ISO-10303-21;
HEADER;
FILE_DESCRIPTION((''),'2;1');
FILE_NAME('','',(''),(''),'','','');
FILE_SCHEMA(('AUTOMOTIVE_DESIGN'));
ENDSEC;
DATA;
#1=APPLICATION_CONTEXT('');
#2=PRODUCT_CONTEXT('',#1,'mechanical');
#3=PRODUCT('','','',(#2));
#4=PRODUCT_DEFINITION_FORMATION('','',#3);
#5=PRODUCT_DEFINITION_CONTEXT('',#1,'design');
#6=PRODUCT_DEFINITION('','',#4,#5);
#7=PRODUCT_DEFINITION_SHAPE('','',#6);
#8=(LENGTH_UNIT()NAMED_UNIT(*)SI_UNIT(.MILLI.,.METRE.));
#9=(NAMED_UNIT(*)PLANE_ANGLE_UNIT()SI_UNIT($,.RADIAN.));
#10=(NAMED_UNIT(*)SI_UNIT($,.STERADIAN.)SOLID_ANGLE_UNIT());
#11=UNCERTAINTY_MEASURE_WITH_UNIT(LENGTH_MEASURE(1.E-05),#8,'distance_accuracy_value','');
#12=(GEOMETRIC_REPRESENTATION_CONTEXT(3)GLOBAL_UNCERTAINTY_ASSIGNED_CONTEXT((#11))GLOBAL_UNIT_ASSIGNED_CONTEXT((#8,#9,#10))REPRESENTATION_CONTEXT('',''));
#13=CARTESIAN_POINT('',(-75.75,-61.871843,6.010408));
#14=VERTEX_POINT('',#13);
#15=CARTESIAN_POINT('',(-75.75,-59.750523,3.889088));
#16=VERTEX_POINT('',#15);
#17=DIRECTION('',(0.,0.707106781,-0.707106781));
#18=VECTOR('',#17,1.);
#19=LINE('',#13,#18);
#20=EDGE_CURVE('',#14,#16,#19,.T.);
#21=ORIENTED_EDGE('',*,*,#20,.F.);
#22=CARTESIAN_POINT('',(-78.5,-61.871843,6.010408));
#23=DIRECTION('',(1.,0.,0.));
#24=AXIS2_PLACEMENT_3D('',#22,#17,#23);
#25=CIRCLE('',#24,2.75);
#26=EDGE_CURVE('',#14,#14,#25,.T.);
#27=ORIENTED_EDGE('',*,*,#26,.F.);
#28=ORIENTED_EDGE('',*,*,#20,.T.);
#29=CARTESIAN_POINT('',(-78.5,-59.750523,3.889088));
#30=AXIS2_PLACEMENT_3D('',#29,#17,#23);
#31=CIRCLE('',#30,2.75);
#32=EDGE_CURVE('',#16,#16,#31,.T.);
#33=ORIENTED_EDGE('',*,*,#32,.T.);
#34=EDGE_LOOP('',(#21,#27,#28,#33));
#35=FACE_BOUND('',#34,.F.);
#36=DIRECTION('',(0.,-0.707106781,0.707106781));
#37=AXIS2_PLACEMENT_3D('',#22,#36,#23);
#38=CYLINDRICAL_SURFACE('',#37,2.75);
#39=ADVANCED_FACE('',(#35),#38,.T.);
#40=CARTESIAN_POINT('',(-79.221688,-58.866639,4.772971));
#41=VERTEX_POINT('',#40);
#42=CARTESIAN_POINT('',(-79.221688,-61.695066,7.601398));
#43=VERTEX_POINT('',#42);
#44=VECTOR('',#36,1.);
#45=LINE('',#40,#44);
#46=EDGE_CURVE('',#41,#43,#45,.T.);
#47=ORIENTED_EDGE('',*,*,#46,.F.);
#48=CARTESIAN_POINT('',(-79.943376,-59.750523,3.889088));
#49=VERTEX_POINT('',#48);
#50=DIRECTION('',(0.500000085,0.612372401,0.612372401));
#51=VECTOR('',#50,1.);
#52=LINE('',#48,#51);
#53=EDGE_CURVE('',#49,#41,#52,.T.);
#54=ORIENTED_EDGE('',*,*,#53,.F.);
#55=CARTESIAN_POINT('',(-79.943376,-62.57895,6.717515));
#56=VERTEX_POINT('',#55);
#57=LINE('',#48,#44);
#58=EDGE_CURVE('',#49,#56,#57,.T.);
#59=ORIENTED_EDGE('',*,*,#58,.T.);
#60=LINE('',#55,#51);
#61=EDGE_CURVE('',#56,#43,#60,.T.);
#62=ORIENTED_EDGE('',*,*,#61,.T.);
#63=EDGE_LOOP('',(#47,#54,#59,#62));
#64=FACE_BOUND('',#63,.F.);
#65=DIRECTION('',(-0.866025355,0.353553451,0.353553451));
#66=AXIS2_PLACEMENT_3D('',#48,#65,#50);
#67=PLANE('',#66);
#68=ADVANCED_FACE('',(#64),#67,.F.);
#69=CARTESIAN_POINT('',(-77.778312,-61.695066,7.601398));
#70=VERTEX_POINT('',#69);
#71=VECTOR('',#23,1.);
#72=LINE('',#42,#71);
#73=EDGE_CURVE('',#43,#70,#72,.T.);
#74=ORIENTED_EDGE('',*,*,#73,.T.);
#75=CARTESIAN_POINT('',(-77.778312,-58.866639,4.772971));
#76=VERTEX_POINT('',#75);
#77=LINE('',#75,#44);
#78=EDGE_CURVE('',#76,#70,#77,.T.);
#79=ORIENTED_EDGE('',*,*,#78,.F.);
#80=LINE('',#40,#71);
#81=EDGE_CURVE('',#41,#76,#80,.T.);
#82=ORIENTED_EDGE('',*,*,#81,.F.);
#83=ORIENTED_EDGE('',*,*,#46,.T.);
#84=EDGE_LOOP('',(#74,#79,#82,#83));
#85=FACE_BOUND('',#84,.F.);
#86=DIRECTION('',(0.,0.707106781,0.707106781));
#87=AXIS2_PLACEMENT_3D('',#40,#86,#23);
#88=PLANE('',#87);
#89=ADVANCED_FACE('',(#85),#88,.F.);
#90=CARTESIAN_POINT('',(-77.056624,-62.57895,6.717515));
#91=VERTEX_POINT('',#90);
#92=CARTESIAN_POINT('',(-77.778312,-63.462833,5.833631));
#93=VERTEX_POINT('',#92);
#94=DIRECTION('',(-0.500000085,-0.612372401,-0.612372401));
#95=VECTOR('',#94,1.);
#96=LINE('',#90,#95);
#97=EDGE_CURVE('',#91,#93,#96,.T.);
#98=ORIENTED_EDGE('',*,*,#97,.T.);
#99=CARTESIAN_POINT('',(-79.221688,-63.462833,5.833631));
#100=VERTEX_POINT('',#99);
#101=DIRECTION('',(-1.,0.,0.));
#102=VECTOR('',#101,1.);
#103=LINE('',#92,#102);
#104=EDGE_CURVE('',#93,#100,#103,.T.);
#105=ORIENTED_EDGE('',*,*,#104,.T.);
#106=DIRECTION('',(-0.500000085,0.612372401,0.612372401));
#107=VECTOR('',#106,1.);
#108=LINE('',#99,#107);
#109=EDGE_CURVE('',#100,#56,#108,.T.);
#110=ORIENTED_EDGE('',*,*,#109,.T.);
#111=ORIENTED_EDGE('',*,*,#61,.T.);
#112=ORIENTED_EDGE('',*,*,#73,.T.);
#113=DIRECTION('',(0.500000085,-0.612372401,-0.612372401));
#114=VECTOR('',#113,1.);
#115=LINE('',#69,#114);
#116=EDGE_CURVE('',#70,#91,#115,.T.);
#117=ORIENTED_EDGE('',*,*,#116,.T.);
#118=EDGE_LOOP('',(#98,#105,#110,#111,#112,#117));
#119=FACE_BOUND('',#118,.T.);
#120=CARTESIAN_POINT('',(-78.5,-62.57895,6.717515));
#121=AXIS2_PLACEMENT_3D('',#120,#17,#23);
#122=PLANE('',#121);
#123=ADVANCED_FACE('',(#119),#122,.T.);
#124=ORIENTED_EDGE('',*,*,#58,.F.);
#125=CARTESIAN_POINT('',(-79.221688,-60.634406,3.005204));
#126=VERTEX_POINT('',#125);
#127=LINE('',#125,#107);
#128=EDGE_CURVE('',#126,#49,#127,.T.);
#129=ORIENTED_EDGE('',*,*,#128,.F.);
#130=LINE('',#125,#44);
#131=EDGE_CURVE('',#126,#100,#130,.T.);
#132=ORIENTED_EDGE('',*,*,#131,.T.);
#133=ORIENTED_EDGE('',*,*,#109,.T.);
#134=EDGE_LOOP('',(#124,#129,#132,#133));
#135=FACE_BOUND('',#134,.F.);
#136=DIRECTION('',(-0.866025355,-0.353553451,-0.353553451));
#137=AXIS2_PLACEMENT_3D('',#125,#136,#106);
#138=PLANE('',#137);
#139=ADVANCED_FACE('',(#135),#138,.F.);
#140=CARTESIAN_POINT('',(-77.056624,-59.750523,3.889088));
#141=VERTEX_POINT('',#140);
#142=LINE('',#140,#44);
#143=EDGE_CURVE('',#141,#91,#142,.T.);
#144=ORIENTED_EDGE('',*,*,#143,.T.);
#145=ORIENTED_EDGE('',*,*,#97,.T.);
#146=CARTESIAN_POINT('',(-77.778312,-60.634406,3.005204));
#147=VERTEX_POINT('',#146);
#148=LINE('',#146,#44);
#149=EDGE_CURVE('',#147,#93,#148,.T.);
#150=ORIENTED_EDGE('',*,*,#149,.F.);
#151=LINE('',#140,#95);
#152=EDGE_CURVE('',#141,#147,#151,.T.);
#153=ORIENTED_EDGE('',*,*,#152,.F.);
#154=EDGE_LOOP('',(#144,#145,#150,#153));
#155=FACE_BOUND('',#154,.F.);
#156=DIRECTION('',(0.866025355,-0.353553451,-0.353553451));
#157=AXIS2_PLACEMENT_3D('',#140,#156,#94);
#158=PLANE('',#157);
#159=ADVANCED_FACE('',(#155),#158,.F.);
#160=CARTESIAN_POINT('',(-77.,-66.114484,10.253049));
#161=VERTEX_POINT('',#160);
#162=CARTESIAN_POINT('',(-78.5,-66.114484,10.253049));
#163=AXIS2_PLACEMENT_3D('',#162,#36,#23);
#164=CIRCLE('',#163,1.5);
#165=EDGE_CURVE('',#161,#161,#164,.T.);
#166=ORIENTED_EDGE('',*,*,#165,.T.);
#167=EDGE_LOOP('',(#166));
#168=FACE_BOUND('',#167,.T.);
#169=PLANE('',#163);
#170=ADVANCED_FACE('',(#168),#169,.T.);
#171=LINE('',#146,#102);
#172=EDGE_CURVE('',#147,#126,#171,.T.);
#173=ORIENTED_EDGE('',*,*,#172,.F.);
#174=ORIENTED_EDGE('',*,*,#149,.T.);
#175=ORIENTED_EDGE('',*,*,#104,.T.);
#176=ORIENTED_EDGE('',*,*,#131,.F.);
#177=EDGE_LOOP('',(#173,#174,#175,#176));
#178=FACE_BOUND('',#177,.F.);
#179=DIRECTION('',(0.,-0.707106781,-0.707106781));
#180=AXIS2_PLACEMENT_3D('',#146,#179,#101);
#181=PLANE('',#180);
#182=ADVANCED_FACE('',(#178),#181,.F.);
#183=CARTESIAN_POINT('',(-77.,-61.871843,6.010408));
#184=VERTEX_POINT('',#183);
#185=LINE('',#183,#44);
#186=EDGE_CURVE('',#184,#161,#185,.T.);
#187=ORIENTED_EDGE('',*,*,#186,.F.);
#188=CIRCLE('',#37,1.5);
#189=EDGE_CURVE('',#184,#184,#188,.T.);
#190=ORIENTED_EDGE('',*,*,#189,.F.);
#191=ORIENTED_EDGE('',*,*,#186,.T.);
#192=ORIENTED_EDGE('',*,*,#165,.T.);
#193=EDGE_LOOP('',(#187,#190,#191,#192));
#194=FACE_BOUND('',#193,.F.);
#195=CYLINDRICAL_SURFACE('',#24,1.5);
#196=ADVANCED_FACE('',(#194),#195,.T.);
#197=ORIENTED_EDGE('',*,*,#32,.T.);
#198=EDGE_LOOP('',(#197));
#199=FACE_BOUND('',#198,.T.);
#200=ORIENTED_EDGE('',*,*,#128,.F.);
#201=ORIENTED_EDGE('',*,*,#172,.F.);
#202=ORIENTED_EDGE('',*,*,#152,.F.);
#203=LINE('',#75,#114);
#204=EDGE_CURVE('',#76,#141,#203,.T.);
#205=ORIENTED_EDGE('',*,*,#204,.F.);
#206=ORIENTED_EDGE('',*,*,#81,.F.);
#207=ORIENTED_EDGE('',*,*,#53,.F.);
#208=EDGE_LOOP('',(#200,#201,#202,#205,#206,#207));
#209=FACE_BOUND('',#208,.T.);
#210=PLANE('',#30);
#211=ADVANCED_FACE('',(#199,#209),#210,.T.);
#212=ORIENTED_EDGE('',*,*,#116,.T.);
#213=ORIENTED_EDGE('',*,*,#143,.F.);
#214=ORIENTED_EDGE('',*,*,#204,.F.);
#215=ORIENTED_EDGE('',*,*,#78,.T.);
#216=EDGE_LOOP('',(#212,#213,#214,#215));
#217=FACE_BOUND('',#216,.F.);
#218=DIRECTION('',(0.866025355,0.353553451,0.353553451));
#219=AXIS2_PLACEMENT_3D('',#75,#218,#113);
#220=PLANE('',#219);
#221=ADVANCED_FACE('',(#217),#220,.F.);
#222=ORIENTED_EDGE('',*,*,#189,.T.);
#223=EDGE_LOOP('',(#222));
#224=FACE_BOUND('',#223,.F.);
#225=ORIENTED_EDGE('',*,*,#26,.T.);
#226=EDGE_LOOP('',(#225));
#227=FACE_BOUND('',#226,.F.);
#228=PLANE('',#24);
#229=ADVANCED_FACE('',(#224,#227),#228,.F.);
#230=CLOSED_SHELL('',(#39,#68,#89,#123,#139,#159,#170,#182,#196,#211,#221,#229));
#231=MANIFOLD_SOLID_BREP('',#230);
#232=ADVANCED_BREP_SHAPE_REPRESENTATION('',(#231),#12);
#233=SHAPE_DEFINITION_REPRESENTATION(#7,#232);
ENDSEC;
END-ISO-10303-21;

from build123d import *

# Parameters (mm, degrees)
SKETCH036_R             = 2.75
PAD021_DEPTH            = 3
SKETCH037_R             = 1.5
PAD022_DEPTH            = 6
POCKET017_DEPTH         = 4
BODY010_PLACEMENT_ANGLE = 225


with BuildPart() as part:
    # Sketch036 → Pad021 (new body)
    with BuildSketch(Plane.XY):
        Circle(SKETCH036_R)
    extrude(amount=PAD021_DEPTH)

    # Sketch037 (on Face2 of Pad021) → Pad022 (join)
    with BuildSketch(Plane(origin=(0, 0, 0), x_dir=(1, 0, 0), z_dir=(0, 0, -1))):
        Circle(SKETCH037_R)
    extrude(amount=PAD022_DEPTH)

    # Sketch038 (on DatumPlane) → Pocket017 (cut)
    with BuildSketch(Plane.XY.offset(3)):
        Polygon((0.721688, -1.25), (1.443376, 0), (0.721688, 1.25), (-0.721688, 1.25), (-1.443376, 0), (-0.721688, -1.25), align=None)
    extrude(amount=-POCKET017_DEPTH, mode=Mode.SUBTRACT)


with BuildPart() as part_1:
    # Body010 placement: moved
    add(part.part.moved(Location((-78.5, -61.871843, 6.010408))).rotate(Axis((-78.5, -61.871843, 6.010408), (1, 0, 0)), BODY010_PLACEMENT_ANGLE))


solid = part_1.part
